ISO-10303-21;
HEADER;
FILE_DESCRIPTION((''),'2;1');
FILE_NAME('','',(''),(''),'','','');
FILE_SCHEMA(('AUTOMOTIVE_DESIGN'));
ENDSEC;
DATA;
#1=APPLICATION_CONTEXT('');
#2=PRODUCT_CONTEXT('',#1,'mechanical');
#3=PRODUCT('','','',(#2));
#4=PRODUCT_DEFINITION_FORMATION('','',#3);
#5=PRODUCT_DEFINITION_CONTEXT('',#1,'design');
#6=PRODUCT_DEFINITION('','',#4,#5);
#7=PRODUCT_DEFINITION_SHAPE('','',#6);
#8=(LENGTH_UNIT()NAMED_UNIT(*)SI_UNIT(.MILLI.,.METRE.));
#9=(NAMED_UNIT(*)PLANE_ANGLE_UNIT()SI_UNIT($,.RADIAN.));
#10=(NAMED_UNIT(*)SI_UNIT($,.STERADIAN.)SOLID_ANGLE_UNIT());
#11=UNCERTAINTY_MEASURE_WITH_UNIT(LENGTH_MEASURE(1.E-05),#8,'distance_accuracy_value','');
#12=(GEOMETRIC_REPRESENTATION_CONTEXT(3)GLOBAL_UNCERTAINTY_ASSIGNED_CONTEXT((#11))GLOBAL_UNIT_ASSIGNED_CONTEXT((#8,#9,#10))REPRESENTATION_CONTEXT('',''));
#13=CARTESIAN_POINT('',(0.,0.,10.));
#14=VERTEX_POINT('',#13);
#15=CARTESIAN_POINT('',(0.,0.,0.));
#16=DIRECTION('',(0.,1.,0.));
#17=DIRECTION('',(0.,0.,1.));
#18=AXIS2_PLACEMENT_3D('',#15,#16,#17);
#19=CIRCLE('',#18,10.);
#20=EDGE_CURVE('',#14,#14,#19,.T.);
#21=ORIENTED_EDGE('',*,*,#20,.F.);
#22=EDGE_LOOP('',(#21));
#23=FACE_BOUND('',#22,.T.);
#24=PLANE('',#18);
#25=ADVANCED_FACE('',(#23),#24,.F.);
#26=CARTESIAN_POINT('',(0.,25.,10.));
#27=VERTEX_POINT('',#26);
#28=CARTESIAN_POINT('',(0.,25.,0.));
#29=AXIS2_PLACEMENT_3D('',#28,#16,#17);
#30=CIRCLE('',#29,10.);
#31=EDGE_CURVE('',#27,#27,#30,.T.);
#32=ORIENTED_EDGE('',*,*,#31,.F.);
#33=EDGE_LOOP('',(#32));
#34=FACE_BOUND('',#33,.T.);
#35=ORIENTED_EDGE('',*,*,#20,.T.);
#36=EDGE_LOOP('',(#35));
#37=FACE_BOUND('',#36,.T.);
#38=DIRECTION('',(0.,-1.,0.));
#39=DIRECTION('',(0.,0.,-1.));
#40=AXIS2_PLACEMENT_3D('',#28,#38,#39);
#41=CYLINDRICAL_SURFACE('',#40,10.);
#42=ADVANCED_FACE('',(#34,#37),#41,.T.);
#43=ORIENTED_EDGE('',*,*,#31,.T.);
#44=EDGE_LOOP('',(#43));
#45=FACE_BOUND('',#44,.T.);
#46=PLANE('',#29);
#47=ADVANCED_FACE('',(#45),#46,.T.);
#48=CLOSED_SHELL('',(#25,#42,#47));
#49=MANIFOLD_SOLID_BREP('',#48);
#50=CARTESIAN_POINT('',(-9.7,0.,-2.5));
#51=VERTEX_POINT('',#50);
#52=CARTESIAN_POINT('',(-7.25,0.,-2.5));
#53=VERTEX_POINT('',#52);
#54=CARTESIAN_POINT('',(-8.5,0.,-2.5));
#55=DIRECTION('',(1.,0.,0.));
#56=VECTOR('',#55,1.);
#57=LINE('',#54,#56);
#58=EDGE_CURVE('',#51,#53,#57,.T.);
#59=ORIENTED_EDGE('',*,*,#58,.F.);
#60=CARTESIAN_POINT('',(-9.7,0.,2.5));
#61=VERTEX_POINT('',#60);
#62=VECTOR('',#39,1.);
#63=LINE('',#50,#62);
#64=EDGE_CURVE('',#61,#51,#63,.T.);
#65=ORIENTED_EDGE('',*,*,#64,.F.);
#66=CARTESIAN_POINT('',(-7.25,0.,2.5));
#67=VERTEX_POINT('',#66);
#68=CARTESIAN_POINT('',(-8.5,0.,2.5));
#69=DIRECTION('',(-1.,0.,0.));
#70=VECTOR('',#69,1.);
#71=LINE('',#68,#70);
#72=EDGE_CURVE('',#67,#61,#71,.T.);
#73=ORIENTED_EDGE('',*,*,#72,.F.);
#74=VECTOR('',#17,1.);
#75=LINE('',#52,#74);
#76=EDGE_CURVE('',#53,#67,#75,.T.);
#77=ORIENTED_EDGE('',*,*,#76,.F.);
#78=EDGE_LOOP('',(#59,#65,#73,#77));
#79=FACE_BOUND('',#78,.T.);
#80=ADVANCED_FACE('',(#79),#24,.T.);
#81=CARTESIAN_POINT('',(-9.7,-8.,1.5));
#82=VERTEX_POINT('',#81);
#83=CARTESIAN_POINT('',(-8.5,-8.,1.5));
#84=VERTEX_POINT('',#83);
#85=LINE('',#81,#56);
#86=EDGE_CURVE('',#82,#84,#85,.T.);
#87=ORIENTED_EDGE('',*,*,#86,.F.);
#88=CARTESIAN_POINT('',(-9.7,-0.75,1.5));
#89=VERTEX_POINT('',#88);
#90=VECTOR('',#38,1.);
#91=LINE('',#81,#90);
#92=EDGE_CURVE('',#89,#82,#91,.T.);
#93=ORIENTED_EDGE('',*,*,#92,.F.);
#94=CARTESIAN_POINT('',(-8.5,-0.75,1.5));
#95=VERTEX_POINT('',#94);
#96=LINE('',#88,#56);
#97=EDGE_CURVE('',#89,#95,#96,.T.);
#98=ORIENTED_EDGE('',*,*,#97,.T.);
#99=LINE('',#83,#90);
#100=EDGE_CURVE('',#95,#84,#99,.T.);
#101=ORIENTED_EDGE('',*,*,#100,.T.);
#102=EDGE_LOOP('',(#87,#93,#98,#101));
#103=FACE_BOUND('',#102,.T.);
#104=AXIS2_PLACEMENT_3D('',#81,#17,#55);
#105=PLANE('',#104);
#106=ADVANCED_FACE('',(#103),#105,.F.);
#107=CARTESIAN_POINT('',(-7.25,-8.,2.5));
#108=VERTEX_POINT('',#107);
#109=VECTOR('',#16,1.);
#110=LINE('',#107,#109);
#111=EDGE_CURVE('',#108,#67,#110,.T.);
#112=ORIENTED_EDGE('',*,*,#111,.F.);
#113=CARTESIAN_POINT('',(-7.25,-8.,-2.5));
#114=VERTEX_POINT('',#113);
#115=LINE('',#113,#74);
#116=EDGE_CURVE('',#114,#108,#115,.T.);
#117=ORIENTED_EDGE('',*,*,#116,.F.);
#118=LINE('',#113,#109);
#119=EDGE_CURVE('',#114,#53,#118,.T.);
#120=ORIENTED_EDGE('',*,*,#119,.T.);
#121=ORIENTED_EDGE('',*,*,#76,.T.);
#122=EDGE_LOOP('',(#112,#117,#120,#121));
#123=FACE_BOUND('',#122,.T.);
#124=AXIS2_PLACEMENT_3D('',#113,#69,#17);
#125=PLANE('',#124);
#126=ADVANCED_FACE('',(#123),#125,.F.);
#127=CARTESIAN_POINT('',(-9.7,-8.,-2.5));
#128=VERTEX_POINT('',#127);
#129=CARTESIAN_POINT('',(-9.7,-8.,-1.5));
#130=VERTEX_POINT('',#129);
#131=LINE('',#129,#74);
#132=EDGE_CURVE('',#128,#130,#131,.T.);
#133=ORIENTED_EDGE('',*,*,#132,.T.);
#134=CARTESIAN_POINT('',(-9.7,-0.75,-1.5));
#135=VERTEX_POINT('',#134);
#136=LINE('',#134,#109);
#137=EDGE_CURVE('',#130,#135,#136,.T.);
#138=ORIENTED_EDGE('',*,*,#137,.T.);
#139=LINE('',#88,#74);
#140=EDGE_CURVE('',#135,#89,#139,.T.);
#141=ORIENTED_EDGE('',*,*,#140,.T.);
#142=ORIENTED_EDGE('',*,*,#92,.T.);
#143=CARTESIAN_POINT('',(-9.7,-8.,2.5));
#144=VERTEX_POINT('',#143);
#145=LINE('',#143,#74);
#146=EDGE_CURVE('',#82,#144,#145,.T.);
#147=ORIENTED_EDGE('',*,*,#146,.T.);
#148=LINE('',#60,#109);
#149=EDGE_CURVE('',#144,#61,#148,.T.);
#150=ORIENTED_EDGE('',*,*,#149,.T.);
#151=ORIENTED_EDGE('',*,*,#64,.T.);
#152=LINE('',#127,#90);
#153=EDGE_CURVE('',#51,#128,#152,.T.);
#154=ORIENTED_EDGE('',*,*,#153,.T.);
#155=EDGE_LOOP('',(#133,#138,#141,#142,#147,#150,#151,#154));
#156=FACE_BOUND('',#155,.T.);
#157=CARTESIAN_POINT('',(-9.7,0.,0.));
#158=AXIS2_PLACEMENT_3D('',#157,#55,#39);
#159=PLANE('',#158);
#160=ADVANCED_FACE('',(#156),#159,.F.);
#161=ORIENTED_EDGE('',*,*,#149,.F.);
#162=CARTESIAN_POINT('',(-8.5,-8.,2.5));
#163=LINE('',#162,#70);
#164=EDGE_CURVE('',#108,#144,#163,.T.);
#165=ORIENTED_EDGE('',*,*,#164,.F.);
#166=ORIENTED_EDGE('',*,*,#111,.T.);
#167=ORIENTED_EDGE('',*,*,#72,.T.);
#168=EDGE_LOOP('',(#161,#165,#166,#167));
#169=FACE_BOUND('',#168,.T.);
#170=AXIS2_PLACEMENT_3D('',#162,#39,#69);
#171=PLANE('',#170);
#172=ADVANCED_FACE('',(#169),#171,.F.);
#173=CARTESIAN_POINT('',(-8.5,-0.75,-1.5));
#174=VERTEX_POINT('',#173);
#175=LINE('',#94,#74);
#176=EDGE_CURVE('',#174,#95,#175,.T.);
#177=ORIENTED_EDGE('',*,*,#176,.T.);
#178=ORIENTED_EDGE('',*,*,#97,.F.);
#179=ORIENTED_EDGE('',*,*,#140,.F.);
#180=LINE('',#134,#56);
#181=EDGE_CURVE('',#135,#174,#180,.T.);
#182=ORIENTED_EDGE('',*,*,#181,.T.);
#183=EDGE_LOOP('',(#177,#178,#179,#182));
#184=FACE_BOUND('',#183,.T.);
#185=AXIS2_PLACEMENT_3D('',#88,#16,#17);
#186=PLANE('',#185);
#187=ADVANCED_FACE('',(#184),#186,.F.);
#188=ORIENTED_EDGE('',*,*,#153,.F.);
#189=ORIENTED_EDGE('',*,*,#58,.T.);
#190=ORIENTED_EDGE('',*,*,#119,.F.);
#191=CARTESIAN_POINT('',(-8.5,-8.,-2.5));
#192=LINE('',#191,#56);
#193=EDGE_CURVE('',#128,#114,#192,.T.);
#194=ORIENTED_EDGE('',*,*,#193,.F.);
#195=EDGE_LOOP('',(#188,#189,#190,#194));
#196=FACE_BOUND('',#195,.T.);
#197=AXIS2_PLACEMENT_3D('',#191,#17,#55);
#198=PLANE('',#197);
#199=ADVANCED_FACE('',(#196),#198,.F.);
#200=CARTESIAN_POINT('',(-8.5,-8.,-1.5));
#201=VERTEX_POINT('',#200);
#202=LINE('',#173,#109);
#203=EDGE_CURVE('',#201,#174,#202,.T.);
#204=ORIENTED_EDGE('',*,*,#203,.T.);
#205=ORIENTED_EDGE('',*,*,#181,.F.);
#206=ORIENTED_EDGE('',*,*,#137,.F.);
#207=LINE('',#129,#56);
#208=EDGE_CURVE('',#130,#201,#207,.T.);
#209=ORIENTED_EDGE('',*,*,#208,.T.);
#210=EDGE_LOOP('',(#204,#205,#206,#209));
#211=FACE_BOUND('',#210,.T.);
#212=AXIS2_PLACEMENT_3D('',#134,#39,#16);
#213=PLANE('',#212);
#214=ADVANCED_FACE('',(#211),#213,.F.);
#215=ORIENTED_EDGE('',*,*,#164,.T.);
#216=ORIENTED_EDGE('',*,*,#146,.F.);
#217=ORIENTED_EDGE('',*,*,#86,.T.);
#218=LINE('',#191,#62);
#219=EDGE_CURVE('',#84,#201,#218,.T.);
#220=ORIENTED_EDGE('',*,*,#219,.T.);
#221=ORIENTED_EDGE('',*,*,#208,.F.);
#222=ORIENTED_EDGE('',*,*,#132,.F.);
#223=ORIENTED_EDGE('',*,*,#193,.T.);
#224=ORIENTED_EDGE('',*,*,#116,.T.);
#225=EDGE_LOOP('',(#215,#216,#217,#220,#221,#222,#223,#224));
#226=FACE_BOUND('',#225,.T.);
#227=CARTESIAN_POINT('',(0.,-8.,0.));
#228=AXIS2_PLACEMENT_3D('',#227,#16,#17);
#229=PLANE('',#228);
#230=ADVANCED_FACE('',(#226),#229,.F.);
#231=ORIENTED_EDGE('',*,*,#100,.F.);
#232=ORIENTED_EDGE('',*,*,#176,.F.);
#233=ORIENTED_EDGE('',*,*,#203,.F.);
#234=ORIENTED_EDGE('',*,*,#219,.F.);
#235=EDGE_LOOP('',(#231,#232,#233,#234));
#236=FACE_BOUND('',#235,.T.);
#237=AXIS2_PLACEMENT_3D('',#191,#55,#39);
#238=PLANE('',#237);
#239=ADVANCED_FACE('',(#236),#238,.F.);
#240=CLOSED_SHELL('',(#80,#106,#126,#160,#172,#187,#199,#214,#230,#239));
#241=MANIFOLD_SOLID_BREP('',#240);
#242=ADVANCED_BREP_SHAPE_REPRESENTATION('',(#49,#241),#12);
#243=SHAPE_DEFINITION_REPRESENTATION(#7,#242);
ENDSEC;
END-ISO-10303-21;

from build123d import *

# Parameters (mm, degrees)
SKETCH1_R           = 10
BOSS_EXTRUDE1_DEPTH = 25
SKETCH2_W           = 1.25
SKETCH2_H           = 5
BOSS_EXTRUDE2_DEPTH = 8
BOSS_EXTRUDE3_DEPTH = 1.2


with BuildPart() as part:
    # Sketch1 → Boss-Extrude1 (new body)
    with BuildSketch(Plane(origin=(0, 0, 0), x_dir=(1, 0, 0), z_dir=(0, 1, 0))):
        with Locations(Location((0, 0, 0), (0, 0, 270))):
            Circle(SKETCH1_R)
    extrude(amount=BOSS_EXTRUDE1_DEPTH)


with BuildPart() as body_2:
    # Sketch2 → Boss-Extrude2 (new body)
    with BuildSketch(Plane(origin=(0, 0, 0), x_dir=(-1, 0, 0), z_dir=(0, -1, 0))):
        with Locations((7.875, 0)):
            Rectangle(SKETCH2_W, SKETCH2_H)
    extrude(amount=BOSS_EXTRUDE2_DEPTH)

    # Sketch3 → Boss-Extrude3 (add)
    with BuildSketch(Plane.ZY.offset(8.5)):
        Polygon((-2.5, -8), (-2.5, 0), (2.5, 0), (2.5, -8), (1.5, -8), (1.5, -0.75), (-1.5, -0.75), (-1.5, -8), align=None)
    extrude(amount=BOSS_EXTRUDE3_DEPTH)


solid = Compound([part.part, body_2.part])
